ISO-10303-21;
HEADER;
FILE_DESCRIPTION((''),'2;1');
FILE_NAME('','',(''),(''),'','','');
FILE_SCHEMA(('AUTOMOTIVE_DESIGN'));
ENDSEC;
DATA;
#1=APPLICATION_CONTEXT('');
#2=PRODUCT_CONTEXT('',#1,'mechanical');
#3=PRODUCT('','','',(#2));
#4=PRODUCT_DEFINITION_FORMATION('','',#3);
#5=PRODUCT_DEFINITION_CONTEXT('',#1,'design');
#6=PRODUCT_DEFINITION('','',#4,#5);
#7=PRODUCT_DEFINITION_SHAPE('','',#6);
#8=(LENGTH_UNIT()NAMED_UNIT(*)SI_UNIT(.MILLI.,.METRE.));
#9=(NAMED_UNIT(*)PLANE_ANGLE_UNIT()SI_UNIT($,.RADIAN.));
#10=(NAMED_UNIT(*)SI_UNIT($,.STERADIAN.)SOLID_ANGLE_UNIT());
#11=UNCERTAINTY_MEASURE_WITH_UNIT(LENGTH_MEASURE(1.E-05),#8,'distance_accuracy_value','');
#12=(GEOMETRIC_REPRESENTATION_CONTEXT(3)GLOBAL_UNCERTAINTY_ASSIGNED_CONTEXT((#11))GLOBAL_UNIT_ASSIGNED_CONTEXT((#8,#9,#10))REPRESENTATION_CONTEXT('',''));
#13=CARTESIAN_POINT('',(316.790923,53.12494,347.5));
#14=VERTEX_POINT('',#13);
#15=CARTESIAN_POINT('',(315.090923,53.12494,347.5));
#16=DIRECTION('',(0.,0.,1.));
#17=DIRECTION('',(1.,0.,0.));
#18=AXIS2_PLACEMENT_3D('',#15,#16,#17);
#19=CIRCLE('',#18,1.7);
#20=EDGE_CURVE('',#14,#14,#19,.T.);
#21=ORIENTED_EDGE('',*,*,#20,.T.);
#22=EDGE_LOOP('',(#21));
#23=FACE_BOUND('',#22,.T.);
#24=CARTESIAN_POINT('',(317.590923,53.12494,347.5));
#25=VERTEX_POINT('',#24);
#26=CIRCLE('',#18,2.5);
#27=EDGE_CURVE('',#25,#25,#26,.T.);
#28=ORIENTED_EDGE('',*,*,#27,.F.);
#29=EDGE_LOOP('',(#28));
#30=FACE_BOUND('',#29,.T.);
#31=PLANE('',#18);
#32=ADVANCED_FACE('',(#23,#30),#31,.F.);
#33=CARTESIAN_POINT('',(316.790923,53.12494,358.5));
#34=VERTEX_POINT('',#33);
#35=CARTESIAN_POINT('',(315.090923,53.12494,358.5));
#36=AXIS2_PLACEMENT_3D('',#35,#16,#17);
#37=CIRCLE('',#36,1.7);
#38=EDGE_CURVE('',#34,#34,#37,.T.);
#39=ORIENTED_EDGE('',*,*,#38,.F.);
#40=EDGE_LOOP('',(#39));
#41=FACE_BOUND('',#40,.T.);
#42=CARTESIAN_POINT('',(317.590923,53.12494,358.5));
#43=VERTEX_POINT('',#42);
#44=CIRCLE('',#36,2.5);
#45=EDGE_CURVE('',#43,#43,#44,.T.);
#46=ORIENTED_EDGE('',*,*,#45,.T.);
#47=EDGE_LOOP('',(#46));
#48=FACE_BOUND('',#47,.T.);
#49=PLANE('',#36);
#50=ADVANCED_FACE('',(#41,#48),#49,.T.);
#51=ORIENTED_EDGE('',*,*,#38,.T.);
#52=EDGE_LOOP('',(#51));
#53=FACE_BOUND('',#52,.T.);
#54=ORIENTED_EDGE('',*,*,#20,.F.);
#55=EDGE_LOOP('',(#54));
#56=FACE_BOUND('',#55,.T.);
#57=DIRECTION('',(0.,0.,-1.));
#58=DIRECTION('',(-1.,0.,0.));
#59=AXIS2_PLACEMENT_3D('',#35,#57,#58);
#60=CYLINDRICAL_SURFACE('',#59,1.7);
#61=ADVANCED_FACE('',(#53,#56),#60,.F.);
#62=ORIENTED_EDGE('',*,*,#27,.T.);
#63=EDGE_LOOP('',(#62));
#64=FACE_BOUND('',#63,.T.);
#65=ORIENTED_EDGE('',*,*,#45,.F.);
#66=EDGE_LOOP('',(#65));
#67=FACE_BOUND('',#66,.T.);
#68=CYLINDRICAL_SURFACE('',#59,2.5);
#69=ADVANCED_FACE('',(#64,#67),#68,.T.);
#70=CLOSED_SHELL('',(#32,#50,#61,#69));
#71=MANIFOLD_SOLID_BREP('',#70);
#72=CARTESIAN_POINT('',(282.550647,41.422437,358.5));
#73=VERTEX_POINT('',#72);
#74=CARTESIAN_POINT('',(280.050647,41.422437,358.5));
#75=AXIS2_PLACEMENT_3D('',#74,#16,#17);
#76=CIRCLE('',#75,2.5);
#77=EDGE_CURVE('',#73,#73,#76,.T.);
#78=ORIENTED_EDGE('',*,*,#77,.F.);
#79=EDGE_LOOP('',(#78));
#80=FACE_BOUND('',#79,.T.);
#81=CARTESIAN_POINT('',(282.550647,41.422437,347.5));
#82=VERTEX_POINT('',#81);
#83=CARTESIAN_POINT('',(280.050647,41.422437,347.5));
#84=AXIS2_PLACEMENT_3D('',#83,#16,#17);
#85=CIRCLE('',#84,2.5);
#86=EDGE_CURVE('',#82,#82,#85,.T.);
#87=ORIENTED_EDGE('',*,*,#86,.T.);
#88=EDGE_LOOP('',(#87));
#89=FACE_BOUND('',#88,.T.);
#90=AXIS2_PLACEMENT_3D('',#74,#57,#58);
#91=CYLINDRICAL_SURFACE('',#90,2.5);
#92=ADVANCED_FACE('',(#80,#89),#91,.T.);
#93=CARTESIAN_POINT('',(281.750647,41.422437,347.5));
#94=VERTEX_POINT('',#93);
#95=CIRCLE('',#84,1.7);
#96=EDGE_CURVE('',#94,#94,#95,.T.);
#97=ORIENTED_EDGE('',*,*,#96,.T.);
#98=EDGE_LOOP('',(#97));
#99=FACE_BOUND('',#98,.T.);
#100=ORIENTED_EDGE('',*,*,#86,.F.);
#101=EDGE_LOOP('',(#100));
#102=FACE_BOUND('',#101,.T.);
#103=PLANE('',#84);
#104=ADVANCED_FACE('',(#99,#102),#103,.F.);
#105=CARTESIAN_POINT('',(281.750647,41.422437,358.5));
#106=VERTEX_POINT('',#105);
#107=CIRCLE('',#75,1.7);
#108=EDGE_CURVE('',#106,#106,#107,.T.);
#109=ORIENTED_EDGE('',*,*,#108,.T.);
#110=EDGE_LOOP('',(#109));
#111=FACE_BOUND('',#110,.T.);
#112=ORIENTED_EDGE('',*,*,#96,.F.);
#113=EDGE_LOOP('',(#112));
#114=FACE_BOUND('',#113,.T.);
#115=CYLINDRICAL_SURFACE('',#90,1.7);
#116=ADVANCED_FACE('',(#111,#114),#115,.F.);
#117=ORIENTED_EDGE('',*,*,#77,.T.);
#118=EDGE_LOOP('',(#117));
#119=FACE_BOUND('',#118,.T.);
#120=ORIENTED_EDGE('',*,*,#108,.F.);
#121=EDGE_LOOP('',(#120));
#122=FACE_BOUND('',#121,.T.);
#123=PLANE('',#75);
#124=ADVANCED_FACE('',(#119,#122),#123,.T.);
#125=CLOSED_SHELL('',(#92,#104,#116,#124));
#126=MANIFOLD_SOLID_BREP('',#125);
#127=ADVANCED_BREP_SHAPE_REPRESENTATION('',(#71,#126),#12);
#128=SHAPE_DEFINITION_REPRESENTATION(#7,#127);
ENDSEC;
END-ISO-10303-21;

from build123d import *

# Parameters (mm, degrees)
SKETCH1_R           = 2.5
SKETCH1_R_2         = 1.7
BOSS_EXTRUDE1_DEPTH = 11
SKETCH2_R           = 2.5
SKETCH2_R_2         = 1.7
BOSS_EXTRUDE2_DEPTH = 11


with BuildPart() as part:
    # Sketch1 → Boss-Extrude1 (new body)
    with BuildSketch(Plane.XY.offset(347.5)):
        with Locations((315.090923202, 53.124939501)):
            Circle(SKETCH1_R)
        with Locations((315.090923202, 53.124939501)):
            Circle(SKETCH1_R_2, mode=Mode.SUBTRACT)
    extrude(amount=BOSS_EXTRUDE1_DEPTH)


with BuildPart() as body_2:
    # Sketch2 → Boss-Extrude2 (new body)
    with BuildSketch(Plane.XY.offset(347.5)):
        with Locations((280.050647312, 41.422437104)):
            Circle(SKETCH2_R)
        with Locations((280.050647312, 41.422437104)):
            Circle(SKETCH2_R_2, mode=Mode.SUBTRACT)
    extrude(amount=BOSS_EXTRUDE2_DEPTH)


solid = Compound([part.part, body_2.part])
